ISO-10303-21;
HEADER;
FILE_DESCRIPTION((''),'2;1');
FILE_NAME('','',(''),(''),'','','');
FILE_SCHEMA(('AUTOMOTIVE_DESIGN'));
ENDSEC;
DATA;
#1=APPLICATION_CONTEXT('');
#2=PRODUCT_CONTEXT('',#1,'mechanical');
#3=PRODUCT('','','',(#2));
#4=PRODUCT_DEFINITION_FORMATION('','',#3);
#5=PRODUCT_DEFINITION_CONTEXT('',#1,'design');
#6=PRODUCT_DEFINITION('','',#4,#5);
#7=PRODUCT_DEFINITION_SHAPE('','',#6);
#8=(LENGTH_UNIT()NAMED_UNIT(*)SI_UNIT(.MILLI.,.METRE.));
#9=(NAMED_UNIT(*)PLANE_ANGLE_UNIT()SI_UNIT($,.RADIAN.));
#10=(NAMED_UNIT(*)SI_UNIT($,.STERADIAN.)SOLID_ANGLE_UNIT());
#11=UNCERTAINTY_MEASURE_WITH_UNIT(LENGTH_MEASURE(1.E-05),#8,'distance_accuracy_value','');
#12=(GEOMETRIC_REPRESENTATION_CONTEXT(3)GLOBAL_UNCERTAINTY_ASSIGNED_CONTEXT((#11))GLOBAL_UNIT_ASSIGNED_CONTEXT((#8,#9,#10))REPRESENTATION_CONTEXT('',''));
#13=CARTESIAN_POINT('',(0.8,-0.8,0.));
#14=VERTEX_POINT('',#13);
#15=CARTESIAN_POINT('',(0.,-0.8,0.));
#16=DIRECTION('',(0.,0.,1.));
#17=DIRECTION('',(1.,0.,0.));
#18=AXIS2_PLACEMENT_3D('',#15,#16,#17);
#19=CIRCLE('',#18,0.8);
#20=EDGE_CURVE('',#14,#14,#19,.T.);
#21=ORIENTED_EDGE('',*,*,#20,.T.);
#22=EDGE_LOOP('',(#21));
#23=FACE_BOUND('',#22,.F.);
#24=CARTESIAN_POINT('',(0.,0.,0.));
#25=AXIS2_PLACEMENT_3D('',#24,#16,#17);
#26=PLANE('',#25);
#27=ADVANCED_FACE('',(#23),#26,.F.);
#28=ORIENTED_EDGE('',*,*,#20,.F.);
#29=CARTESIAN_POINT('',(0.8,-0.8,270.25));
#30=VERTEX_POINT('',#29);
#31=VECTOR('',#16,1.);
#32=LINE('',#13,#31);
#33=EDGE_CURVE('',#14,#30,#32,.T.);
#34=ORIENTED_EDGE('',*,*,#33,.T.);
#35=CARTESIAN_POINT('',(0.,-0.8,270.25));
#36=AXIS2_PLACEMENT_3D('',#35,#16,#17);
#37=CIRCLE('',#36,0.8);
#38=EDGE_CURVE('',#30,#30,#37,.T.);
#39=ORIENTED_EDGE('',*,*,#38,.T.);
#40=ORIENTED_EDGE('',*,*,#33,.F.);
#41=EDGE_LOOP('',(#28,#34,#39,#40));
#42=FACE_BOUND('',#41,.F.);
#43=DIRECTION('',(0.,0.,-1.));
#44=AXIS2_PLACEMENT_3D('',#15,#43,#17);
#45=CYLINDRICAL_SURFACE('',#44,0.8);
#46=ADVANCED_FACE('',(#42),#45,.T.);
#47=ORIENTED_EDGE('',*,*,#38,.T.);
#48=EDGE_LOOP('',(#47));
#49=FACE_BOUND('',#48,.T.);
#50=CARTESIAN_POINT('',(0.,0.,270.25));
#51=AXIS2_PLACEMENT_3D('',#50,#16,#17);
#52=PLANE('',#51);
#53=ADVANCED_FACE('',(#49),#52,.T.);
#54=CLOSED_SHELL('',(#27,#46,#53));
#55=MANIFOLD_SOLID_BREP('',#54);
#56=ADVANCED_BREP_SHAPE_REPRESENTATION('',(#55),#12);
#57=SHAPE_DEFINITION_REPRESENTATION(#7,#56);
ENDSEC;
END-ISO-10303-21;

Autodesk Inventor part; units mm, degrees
ref_plane "YZ Plane" through (0, 0, 0) normal (1, 0, 0) x (0, 1, 0)
ref_plane "XZ Plane" through (0, 0, 0) normal (0, 1, 0) x (-1, 0, 0)
ref_plane "XY Plane" through (0, 0, 0) normal (0, 0, 1) x (1, 0, 0)
sketch "Sketch1" plane through (0, 0, 0) normal (0, 0, 1) x (1, 0, 0)
  circle A0 centre (0, -0.8) radius 0.8 projected
  point P0 (0, 0)
  dimension "d0" = 270.25
extrude "Extrusion1" add sketch "Sketch1" along normal blind 270.25
properties part number "dummyAxis"
